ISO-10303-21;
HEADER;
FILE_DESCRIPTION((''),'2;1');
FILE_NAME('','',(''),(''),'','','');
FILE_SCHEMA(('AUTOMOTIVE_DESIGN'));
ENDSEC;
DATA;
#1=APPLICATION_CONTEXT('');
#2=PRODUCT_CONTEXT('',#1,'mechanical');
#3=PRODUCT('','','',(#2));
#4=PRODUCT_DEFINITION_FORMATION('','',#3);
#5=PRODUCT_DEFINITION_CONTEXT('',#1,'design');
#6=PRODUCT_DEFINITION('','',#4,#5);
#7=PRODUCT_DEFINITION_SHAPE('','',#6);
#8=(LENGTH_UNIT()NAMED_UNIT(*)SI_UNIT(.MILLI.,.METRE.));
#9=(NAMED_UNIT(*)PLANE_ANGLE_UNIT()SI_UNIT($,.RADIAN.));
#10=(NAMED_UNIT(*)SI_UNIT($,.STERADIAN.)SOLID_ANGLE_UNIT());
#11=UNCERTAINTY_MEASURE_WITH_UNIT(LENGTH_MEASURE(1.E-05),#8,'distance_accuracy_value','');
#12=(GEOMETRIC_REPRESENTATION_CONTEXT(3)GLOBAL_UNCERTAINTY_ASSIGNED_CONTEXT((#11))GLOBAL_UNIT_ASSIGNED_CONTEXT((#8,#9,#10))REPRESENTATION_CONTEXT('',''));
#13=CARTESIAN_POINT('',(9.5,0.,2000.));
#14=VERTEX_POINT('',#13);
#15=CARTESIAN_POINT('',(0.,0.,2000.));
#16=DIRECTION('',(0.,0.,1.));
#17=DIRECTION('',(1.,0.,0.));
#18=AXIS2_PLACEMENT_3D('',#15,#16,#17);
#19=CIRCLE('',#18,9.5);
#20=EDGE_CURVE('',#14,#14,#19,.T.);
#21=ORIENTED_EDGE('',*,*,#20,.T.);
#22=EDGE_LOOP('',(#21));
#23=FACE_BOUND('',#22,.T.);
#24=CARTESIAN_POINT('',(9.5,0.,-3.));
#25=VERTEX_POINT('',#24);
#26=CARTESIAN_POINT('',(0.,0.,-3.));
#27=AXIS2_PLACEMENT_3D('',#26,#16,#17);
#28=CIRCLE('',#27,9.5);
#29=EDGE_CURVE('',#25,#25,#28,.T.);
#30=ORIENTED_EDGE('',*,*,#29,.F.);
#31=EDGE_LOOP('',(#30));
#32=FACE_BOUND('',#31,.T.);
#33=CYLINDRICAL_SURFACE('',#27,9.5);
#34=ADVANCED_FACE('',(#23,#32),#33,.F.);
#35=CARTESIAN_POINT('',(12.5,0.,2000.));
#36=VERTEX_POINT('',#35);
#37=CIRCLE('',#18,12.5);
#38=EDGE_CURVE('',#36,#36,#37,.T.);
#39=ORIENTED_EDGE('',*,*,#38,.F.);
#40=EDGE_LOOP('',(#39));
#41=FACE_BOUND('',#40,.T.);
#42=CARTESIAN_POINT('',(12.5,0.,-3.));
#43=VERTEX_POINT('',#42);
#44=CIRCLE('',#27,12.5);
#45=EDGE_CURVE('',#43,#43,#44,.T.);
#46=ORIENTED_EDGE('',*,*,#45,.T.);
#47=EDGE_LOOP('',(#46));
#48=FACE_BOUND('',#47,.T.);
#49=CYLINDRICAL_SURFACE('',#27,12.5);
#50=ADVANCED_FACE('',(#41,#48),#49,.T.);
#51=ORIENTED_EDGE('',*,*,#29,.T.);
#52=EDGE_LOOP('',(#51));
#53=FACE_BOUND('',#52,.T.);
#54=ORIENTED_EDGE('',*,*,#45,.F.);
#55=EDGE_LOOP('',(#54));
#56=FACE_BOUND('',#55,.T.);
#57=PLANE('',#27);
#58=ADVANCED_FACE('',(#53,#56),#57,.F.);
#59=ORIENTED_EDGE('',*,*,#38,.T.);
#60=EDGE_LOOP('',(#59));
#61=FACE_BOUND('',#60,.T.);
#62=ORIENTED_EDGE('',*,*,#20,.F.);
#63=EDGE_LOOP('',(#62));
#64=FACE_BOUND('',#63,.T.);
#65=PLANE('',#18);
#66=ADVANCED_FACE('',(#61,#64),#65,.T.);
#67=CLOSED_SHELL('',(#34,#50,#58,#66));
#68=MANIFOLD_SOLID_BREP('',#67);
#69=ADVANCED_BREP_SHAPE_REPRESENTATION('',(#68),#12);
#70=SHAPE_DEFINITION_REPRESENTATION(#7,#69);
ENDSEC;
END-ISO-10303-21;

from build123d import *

# Parameters (mm, degrees)
CROQUIS1_R                   = 12.5
CROQUIS1_R_2                 = 9.5
SALIENTE_EXTRUIR1_DEPTH      = 2000
SALIENTE_EXTRUIR1_DEPTH_BACK = 3


with BuildPart() as part:
    # Croquis1 → Saliente-Extruir1 (new body, two sides)
    with BuildSketch(Plane.XY) as saliente_extruir1_sk:
        Circle(CROQUIS1_R)
        Circle(CROQUIS1_R_2, mode=Mode.SUBTRACT)
    extrude(amount=SALIENTE_EXTRUIR1_DEPTH)
    extrude(saliente_extruir1_sk.sketch, amount=-SALIENTE_EXTRUIR1_DEPTH_BACK)


solid = part.part
